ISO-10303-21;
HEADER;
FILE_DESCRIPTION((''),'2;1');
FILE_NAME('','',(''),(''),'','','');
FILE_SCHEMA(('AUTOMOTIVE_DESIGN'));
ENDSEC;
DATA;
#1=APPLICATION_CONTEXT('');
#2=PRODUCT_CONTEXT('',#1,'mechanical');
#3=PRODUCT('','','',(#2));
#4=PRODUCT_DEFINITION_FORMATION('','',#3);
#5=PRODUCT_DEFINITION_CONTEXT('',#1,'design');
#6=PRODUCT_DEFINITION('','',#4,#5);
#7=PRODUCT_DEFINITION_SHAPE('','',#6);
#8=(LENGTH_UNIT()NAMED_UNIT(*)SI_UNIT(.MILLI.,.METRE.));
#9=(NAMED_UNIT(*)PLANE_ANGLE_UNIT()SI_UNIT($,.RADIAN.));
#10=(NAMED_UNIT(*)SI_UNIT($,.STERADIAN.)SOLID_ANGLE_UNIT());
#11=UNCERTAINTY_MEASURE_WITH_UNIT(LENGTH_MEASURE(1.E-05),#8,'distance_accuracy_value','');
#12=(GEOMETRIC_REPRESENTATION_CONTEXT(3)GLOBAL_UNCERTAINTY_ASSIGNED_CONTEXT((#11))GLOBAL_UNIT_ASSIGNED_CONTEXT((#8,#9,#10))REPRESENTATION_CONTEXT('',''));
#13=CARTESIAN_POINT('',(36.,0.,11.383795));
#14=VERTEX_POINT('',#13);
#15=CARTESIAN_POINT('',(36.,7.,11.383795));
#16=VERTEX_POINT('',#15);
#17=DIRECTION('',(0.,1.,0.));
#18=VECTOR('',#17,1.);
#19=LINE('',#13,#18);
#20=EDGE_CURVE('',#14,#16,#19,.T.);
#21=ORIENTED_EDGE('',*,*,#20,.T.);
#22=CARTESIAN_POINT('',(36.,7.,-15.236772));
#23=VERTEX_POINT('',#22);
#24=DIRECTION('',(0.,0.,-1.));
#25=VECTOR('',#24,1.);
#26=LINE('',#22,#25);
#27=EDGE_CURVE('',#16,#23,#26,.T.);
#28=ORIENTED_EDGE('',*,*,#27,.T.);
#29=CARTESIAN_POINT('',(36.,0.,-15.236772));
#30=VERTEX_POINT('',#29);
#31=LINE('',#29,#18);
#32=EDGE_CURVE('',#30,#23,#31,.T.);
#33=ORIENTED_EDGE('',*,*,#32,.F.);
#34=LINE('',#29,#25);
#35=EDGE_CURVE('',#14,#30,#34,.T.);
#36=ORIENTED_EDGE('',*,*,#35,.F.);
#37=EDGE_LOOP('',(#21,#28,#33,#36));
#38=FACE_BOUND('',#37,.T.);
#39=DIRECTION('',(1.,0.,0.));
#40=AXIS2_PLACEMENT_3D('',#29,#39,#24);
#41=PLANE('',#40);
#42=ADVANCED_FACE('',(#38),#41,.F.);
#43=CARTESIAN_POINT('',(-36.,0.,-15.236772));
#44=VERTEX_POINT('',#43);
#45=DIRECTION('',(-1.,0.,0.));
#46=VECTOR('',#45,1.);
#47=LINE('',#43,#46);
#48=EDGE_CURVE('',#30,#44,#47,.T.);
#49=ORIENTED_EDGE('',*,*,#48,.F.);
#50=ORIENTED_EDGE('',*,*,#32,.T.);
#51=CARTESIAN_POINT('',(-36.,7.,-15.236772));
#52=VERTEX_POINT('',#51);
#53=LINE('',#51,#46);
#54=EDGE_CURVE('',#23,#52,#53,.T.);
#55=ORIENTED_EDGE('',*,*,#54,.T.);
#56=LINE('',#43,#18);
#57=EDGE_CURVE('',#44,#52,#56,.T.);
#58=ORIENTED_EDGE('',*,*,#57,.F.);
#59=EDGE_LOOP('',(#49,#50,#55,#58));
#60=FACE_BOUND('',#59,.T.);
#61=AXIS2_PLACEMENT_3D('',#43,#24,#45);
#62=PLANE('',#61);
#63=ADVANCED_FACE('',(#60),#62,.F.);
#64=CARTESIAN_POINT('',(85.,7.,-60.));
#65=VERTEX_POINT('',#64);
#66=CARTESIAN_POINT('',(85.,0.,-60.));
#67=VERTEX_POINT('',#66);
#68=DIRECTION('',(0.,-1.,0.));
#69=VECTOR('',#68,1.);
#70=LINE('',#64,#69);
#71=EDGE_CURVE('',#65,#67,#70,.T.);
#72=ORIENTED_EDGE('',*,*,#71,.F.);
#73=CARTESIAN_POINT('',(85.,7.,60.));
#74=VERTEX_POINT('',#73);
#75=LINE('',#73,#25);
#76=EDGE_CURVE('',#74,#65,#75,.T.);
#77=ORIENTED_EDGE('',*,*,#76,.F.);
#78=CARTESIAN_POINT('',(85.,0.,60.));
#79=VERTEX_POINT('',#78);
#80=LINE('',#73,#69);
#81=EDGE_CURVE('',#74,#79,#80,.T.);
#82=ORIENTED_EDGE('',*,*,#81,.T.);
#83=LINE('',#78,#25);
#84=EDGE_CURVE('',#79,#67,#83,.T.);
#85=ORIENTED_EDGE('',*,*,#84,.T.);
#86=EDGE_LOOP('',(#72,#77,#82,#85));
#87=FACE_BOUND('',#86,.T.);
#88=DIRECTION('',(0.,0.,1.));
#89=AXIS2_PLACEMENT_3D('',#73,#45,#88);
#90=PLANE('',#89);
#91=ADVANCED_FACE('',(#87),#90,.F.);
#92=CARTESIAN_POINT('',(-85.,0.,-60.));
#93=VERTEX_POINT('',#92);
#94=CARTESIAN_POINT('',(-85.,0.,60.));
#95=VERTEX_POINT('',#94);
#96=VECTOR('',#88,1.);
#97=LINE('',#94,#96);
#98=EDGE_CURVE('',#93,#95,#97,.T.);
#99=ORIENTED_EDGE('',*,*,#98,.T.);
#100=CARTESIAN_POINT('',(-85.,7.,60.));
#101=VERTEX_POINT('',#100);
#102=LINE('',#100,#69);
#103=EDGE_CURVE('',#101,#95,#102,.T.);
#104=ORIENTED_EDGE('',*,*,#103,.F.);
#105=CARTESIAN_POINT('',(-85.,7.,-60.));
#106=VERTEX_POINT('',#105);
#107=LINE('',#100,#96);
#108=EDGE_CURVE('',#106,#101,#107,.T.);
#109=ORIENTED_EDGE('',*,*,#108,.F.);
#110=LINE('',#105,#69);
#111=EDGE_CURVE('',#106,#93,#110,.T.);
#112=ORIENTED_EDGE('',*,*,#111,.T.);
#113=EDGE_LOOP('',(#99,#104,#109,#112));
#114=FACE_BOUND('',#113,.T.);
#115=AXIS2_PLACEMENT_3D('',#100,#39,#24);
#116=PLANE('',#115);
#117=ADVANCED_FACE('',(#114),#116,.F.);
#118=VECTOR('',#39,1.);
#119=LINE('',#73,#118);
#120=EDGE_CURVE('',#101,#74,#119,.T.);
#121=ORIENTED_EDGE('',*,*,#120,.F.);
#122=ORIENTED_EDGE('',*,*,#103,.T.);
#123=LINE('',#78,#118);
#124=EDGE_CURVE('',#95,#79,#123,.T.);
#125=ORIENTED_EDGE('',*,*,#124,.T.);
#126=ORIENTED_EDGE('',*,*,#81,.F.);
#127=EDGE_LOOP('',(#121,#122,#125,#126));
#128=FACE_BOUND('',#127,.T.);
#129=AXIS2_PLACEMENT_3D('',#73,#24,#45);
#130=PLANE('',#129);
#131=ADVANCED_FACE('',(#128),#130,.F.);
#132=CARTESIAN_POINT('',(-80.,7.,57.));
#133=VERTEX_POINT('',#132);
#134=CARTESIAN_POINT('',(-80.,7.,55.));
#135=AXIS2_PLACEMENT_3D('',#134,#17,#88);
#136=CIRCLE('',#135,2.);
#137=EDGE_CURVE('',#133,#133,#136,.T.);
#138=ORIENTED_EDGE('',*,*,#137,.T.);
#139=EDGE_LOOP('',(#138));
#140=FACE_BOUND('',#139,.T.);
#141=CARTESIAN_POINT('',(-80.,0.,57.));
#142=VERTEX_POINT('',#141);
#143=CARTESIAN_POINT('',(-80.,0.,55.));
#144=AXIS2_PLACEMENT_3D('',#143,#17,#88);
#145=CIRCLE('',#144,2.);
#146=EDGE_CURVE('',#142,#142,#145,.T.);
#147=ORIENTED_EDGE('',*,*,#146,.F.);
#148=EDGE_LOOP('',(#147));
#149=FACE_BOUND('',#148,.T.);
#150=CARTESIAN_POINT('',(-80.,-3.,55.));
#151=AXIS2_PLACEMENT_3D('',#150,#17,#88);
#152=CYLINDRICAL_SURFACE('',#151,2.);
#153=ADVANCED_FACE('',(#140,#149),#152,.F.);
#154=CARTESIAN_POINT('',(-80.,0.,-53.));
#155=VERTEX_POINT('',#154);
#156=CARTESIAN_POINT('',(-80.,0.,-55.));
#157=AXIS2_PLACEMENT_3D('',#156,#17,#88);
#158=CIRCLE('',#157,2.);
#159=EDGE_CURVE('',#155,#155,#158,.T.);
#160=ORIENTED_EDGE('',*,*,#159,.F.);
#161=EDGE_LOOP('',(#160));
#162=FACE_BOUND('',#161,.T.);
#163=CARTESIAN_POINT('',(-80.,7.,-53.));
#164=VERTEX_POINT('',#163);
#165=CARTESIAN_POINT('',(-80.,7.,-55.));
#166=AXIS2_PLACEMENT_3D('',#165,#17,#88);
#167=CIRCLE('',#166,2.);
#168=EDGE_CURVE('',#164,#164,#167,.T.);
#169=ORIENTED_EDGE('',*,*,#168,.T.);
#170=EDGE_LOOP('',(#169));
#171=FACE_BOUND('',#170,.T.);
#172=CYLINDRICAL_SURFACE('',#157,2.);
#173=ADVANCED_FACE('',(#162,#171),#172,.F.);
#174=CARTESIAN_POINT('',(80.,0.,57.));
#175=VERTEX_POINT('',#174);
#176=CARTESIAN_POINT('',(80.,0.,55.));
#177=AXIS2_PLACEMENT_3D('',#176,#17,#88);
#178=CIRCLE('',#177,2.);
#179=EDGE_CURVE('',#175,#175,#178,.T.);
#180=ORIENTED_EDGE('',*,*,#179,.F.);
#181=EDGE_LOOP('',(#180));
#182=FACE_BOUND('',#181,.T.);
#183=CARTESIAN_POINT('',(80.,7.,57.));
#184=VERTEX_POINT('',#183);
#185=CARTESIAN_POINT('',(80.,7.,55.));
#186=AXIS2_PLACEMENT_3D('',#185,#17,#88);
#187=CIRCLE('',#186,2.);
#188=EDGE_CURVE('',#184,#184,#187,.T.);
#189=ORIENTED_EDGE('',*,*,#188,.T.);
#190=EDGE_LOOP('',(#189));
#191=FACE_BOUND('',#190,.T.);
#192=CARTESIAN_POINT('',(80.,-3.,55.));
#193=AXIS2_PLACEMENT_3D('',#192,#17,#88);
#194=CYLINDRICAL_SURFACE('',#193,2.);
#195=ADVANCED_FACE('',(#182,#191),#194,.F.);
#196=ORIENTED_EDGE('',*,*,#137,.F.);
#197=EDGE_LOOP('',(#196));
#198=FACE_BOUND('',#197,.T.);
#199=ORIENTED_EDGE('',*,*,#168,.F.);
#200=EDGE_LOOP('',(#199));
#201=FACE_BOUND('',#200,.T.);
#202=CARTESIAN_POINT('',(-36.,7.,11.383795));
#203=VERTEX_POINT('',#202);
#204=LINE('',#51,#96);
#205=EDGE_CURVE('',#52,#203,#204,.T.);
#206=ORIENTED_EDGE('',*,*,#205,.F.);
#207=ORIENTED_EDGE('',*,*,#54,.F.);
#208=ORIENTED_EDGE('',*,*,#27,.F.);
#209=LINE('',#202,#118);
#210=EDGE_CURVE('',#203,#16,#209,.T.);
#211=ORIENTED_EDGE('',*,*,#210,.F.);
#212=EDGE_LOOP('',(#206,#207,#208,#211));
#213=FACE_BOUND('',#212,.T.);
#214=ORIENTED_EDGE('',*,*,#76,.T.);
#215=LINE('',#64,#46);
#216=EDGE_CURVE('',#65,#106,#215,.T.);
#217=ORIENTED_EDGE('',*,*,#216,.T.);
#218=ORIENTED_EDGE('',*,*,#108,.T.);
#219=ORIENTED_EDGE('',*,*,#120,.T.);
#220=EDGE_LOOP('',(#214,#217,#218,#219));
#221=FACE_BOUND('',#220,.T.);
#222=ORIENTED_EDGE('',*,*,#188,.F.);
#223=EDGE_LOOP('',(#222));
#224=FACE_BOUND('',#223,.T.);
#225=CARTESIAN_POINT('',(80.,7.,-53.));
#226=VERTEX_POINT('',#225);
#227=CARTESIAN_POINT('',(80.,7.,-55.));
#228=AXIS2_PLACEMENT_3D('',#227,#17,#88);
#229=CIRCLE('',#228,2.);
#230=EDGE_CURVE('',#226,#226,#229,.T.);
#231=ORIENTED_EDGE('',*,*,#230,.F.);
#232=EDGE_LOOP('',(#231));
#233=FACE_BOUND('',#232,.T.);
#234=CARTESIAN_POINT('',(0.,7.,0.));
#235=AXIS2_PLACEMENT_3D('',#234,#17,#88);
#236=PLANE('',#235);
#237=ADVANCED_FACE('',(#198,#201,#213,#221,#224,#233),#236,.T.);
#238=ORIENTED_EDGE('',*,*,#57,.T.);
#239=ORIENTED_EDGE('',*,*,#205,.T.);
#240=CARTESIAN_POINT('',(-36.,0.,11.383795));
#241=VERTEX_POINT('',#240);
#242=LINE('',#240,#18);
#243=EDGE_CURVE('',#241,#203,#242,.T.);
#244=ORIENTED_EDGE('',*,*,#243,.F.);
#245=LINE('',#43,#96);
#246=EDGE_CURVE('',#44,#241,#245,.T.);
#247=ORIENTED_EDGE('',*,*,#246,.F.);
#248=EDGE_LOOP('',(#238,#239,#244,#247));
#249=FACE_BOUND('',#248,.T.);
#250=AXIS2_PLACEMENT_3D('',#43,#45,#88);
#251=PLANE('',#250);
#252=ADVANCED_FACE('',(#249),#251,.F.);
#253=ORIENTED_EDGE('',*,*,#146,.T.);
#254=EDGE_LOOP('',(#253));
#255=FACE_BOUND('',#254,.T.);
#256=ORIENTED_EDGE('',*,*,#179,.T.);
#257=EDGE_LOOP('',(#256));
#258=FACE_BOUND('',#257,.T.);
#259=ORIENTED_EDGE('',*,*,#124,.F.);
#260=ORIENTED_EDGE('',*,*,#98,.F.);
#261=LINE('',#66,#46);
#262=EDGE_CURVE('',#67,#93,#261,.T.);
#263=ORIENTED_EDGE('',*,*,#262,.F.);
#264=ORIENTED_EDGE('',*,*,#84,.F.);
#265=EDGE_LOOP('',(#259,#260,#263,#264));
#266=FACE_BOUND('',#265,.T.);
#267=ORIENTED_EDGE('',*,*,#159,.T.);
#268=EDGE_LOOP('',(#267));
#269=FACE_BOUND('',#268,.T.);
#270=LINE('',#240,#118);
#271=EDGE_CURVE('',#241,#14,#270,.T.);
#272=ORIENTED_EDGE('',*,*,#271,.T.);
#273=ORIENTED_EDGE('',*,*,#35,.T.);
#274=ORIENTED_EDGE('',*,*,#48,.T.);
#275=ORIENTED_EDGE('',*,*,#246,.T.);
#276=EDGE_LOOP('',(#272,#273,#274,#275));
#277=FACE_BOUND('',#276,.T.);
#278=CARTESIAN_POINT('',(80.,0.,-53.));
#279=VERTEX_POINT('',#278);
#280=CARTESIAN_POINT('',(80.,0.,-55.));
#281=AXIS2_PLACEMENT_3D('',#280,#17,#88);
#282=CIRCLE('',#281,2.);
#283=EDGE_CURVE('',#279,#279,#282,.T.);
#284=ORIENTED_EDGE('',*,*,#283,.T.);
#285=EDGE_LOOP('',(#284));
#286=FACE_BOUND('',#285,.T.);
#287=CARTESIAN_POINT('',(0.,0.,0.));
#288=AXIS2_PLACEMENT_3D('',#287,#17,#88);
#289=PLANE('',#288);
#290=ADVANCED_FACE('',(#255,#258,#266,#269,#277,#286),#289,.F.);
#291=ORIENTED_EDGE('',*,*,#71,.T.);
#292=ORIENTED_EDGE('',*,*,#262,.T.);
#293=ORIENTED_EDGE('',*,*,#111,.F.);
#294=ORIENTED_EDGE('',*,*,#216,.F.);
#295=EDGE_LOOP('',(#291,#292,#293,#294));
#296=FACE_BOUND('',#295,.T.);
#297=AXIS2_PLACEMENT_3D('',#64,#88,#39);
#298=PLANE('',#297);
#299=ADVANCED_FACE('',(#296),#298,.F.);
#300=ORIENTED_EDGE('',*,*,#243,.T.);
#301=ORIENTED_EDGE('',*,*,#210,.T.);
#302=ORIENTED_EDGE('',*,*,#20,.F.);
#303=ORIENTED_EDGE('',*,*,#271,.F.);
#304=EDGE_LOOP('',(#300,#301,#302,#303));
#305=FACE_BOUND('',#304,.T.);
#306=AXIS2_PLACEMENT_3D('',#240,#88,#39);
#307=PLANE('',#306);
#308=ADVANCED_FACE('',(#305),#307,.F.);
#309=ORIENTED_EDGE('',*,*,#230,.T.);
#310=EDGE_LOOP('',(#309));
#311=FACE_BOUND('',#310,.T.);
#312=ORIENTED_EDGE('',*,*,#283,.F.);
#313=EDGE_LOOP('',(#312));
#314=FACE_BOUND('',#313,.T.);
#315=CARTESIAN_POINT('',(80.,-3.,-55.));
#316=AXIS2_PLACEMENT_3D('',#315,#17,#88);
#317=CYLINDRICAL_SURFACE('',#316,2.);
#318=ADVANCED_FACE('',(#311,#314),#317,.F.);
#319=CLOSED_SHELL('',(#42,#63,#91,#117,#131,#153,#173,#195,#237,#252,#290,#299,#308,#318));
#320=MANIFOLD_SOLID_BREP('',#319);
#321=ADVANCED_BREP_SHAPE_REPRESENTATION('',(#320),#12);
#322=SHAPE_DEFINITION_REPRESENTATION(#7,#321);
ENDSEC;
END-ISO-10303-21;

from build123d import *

# Parameters (mm, degrees)
SKETCH1_W           = 170
SKETCH1_H           = 120
BOSS_EXTRUDE1_DEPTH = 7
SKETCH2_W           = 72
SKETCH2_H           = 26.620567464
CUT_EXTRUDE1_DEPTH  = 7
SKETCH3_R           = 2
CUT_EXTRUDE5_DEPTH  = 7
SKETCH7_R           = 2
CUT_EXTRUDE7_DEPTH  = 10
SKETCH6_R           = 2
CUT_EXTRUDE10_DEPTH = 10
SKETCH9_R           = 2
CUT_EXTRUDE11_DEPTH = 10


with BuildPart() as part:
    # Sketch1 → Boss-Extrude1 (new body)
    with BuildSketch(Plane(origin=(0, 0, 0), x_dir=(1, 0, 0), z_dir=(0, 1, 0))):
        Rectangle(SKETCH1_W, SKETCH1_H)
    extrude(amount=BOSS_EXTRUDE1_DEPTH)

    # Sketch2 → Cut-Extrude1 (cut)
    with BuildSketch(Plane(origin=(0, 7, 0), x_dir=(1, 0, 0), z_dir=(0, 1, 0))):
        with Locations((0, 1.926488435)):
            Rectangle(SKETCH2_W, SKETCH2_H)
    extrude(amount=-CUT_EXTRUDE1_DEPTH, mode=Mode.SUBTRACT)

    # Sketch3 → Cut-Extrude5 (cut)
    with BuildSketch(Plane(origin=(0, 7, 0), x_dir=(1, 0, 0), z_dir=(0, 1, 0))):
        with Locations((-80, 55)):
            Circle(SKETCH3_R)
    extrude(amount=-CUT_EXTRUDE5_DEPTH, mode=Mode.SUBTRACT)

    # Sketch7 → Cut-Extrude7 (cut)
    with BuildSketch(Plane(origin=(0, 7, 0), x_dir=(1, 0, 0), z_dir=(0, 1, 0))):
        with Locations((-80, -55)):
            Circle(SKETCH7_R)
    extrude(amount=-CUT_EXTRUDE7_DEPTH, mode=Mode.SUBTRACT)

    # Sketch6 → Cut-Extrude10 (cut)
    with BuildSketch(Plane(origin=(0, 7, 0), x_dir=(1, 0, 0), z_dir=(0, 1, 0))):
        with Locations((80, 55)):
            Circle(SKETCH6_R)
    extrude(amount=-CUT_EXTRUDE10_DEPTH, mode=Mode.SUBTRACT)

    # Sketch9 → Cut-Extrude11 (cut)
    with BuildSketch(Plane(origin=(0, 7, 0), x_dir=(1, 0, 0), z_dir=(0, 1, 0))):
        with Locations((80, -55)):
            Circle(SKETCH9_R)
    extrude(amount=-CUT_EXTRUDE11_DEPTH, mode=Mode.SUBTRACT)


solid = part.part
